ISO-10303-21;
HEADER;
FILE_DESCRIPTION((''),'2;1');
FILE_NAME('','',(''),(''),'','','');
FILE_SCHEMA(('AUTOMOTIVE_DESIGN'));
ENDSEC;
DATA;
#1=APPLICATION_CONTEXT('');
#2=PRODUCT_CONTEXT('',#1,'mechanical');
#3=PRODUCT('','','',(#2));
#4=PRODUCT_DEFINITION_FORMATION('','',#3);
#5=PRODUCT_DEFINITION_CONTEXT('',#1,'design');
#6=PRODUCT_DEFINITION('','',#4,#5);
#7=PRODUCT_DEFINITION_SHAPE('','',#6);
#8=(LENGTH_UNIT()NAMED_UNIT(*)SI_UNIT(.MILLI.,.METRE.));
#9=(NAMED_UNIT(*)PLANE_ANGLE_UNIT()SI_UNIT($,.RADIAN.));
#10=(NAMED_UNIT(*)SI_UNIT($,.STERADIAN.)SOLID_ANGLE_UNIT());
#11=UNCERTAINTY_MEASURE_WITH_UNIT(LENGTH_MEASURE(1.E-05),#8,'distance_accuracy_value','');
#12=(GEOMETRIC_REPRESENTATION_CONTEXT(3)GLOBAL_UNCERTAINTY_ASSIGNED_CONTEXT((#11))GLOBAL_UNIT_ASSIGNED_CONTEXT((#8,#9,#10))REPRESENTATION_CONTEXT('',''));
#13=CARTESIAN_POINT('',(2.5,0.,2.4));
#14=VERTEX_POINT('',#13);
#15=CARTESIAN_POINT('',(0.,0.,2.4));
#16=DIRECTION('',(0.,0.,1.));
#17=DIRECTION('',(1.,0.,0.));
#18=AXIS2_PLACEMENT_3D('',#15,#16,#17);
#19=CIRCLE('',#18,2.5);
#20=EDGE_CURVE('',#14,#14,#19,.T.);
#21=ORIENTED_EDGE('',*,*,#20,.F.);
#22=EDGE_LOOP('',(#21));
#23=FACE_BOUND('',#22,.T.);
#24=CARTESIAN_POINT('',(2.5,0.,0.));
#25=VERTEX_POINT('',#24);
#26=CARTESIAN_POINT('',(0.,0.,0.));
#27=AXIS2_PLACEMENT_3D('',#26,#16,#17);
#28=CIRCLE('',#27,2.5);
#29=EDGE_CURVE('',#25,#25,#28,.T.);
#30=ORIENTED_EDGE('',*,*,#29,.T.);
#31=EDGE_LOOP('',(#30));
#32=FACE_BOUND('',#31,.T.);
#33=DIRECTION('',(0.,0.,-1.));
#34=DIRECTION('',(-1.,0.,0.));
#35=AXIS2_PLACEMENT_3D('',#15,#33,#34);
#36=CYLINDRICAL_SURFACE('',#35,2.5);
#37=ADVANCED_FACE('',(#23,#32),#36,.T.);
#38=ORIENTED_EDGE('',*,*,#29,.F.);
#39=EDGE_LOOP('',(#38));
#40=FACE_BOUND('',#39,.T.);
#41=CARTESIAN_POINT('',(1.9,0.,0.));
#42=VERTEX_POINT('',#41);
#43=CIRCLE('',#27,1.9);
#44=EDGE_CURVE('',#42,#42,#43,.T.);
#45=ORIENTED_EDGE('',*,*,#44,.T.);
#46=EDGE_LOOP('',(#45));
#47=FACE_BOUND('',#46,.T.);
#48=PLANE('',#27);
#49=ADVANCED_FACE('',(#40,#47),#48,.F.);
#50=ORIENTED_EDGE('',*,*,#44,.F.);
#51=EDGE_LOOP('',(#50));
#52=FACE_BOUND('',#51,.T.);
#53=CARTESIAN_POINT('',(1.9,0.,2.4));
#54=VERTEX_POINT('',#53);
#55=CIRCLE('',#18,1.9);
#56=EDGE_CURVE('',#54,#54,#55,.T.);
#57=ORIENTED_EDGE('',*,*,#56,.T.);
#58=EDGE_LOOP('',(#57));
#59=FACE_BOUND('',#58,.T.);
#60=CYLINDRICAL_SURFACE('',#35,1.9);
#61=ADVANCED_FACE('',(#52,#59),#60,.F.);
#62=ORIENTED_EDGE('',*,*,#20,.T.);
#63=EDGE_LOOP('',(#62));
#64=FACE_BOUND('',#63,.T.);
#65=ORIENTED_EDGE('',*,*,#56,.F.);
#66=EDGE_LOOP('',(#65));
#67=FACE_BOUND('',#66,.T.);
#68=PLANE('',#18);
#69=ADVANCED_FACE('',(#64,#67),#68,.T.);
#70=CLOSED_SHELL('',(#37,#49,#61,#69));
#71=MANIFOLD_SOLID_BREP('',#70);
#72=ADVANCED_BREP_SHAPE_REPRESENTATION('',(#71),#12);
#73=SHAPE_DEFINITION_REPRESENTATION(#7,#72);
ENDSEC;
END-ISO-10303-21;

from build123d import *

# Parameters (mm, degrees)
SKETCH_1_R      = 2.5
SKETCH_1_R_2    = 1.9
EXTRUDE_1_DEPTH = 2.4


with BuildPart() as part:
    # ｽｹｯﾁ1 → ﾎﾞｽ - 押し出し1 (new body)
    with BuildSketch(Plane.XY):
        Circle(SKETCH_1_R)
        Circle(SKETCH_1_R_2, mode=Mode.SUBTRACT)
    extrude(amount=EXTRUDE_1_DEPTH)


solid = part.part
